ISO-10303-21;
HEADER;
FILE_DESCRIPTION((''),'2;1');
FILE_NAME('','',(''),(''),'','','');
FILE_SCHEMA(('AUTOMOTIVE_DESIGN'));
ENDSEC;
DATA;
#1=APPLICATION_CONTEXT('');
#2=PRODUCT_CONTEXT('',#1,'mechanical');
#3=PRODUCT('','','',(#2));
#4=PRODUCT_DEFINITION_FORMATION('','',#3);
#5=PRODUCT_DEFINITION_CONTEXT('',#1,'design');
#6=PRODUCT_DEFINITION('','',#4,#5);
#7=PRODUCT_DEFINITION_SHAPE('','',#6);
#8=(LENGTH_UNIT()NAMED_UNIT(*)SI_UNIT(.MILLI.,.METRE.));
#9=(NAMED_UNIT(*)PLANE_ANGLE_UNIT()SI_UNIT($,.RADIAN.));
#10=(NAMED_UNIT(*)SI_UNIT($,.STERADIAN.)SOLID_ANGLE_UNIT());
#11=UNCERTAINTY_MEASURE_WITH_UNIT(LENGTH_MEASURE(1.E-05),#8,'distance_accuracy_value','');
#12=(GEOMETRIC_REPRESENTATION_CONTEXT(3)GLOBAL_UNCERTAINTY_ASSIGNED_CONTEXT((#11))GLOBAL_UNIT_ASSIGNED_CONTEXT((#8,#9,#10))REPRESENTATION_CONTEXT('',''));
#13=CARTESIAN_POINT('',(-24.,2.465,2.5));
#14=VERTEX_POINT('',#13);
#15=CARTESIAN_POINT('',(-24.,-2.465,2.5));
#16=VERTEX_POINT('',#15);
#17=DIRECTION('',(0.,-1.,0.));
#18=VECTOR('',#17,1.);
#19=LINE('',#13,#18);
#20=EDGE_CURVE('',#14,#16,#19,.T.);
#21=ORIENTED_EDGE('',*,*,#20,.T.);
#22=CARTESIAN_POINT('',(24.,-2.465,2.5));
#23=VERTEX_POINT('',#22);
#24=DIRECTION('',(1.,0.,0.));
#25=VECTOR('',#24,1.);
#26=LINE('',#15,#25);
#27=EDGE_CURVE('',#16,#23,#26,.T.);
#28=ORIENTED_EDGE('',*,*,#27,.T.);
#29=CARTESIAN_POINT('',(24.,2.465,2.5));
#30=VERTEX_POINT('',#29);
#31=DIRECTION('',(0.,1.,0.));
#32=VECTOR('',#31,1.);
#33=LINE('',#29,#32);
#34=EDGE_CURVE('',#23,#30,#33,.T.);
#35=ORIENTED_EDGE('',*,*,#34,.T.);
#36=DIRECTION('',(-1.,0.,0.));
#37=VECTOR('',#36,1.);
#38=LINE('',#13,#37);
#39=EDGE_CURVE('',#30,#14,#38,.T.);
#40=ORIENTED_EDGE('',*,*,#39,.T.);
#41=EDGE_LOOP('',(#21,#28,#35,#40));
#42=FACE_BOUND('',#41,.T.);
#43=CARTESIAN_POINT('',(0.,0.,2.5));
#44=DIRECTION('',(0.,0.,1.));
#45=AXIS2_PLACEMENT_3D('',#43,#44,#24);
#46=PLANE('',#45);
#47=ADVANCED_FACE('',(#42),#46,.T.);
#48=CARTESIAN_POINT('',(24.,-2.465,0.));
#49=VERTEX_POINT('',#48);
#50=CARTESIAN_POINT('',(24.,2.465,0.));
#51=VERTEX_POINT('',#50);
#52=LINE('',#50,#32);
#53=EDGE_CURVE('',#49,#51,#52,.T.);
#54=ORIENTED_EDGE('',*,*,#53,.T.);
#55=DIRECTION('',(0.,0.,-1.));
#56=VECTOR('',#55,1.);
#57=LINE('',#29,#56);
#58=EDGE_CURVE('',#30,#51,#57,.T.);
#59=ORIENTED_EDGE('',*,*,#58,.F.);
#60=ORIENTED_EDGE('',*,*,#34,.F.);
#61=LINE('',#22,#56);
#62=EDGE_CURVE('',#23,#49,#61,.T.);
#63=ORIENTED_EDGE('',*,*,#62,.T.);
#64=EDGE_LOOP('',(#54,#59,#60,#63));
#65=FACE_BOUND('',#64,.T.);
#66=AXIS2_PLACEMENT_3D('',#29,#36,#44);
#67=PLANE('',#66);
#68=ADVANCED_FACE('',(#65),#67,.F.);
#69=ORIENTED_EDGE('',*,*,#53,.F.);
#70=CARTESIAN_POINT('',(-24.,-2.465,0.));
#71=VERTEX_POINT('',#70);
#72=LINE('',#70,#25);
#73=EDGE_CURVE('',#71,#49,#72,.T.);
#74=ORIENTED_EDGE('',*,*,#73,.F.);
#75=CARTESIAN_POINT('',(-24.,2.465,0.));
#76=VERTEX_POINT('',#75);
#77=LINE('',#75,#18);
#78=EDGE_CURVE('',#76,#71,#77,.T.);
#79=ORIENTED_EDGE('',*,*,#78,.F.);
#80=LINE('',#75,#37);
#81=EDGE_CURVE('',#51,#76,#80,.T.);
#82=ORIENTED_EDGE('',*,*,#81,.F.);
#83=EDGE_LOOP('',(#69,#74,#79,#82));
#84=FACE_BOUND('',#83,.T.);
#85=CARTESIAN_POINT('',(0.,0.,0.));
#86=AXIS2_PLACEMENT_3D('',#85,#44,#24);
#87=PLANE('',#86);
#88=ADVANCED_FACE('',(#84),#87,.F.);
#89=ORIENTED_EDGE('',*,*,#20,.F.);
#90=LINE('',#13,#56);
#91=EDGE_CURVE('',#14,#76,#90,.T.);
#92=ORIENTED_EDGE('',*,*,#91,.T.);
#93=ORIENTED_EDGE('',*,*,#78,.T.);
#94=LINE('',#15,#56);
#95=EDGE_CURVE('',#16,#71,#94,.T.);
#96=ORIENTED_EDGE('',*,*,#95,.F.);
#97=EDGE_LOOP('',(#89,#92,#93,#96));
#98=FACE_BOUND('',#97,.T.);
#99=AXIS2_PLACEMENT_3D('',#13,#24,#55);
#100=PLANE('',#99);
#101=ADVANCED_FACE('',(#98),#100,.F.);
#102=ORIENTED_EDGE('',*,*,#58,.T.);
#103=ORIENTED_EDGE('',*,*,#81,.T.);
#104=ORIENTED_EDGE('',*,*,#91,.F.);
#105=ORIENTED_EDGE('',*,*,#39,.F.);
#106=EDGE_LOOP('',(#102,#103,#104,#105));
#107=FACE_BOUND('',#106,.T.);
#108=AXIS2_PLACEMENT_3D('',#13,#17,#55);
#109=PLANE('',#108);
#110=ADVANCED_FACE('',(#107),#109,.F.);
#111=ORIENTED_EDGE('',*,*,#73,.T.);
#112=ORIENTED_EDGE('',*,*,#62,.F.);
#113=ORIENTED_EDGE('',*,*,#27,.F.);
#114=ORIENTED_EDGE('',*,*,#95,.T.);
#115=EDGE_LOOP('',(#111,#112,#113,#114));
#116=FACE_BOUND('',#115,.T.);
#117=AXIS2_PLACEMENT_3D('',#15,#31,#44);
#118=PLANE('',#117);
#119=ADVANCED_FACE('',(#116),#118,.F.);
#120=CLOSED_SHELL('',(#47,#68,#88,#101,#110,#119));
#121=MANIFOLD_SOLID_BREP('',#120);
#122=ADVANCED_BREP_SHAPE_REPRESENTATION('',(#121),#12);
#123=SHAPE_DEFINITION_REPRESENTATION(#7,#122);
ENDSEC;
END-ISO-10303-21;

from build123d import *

# Parameters (mm, degrees)
SKICA1_W                = 48
SKICA1_H                = 4.93
P_IDAT_VYSUNUT_M1_DEPTH = 2.5


with BuildPart() as part:
    # Skica1 → Přidat vysunutím1 (new body)
    with BuildSketch(Plane.XY):
        Rectangle(SKICA1_W, SKICA1_H)
    extrude(amount=P_IDAT_VYSUNUT_M1_DEPTH)


solid = part.part
